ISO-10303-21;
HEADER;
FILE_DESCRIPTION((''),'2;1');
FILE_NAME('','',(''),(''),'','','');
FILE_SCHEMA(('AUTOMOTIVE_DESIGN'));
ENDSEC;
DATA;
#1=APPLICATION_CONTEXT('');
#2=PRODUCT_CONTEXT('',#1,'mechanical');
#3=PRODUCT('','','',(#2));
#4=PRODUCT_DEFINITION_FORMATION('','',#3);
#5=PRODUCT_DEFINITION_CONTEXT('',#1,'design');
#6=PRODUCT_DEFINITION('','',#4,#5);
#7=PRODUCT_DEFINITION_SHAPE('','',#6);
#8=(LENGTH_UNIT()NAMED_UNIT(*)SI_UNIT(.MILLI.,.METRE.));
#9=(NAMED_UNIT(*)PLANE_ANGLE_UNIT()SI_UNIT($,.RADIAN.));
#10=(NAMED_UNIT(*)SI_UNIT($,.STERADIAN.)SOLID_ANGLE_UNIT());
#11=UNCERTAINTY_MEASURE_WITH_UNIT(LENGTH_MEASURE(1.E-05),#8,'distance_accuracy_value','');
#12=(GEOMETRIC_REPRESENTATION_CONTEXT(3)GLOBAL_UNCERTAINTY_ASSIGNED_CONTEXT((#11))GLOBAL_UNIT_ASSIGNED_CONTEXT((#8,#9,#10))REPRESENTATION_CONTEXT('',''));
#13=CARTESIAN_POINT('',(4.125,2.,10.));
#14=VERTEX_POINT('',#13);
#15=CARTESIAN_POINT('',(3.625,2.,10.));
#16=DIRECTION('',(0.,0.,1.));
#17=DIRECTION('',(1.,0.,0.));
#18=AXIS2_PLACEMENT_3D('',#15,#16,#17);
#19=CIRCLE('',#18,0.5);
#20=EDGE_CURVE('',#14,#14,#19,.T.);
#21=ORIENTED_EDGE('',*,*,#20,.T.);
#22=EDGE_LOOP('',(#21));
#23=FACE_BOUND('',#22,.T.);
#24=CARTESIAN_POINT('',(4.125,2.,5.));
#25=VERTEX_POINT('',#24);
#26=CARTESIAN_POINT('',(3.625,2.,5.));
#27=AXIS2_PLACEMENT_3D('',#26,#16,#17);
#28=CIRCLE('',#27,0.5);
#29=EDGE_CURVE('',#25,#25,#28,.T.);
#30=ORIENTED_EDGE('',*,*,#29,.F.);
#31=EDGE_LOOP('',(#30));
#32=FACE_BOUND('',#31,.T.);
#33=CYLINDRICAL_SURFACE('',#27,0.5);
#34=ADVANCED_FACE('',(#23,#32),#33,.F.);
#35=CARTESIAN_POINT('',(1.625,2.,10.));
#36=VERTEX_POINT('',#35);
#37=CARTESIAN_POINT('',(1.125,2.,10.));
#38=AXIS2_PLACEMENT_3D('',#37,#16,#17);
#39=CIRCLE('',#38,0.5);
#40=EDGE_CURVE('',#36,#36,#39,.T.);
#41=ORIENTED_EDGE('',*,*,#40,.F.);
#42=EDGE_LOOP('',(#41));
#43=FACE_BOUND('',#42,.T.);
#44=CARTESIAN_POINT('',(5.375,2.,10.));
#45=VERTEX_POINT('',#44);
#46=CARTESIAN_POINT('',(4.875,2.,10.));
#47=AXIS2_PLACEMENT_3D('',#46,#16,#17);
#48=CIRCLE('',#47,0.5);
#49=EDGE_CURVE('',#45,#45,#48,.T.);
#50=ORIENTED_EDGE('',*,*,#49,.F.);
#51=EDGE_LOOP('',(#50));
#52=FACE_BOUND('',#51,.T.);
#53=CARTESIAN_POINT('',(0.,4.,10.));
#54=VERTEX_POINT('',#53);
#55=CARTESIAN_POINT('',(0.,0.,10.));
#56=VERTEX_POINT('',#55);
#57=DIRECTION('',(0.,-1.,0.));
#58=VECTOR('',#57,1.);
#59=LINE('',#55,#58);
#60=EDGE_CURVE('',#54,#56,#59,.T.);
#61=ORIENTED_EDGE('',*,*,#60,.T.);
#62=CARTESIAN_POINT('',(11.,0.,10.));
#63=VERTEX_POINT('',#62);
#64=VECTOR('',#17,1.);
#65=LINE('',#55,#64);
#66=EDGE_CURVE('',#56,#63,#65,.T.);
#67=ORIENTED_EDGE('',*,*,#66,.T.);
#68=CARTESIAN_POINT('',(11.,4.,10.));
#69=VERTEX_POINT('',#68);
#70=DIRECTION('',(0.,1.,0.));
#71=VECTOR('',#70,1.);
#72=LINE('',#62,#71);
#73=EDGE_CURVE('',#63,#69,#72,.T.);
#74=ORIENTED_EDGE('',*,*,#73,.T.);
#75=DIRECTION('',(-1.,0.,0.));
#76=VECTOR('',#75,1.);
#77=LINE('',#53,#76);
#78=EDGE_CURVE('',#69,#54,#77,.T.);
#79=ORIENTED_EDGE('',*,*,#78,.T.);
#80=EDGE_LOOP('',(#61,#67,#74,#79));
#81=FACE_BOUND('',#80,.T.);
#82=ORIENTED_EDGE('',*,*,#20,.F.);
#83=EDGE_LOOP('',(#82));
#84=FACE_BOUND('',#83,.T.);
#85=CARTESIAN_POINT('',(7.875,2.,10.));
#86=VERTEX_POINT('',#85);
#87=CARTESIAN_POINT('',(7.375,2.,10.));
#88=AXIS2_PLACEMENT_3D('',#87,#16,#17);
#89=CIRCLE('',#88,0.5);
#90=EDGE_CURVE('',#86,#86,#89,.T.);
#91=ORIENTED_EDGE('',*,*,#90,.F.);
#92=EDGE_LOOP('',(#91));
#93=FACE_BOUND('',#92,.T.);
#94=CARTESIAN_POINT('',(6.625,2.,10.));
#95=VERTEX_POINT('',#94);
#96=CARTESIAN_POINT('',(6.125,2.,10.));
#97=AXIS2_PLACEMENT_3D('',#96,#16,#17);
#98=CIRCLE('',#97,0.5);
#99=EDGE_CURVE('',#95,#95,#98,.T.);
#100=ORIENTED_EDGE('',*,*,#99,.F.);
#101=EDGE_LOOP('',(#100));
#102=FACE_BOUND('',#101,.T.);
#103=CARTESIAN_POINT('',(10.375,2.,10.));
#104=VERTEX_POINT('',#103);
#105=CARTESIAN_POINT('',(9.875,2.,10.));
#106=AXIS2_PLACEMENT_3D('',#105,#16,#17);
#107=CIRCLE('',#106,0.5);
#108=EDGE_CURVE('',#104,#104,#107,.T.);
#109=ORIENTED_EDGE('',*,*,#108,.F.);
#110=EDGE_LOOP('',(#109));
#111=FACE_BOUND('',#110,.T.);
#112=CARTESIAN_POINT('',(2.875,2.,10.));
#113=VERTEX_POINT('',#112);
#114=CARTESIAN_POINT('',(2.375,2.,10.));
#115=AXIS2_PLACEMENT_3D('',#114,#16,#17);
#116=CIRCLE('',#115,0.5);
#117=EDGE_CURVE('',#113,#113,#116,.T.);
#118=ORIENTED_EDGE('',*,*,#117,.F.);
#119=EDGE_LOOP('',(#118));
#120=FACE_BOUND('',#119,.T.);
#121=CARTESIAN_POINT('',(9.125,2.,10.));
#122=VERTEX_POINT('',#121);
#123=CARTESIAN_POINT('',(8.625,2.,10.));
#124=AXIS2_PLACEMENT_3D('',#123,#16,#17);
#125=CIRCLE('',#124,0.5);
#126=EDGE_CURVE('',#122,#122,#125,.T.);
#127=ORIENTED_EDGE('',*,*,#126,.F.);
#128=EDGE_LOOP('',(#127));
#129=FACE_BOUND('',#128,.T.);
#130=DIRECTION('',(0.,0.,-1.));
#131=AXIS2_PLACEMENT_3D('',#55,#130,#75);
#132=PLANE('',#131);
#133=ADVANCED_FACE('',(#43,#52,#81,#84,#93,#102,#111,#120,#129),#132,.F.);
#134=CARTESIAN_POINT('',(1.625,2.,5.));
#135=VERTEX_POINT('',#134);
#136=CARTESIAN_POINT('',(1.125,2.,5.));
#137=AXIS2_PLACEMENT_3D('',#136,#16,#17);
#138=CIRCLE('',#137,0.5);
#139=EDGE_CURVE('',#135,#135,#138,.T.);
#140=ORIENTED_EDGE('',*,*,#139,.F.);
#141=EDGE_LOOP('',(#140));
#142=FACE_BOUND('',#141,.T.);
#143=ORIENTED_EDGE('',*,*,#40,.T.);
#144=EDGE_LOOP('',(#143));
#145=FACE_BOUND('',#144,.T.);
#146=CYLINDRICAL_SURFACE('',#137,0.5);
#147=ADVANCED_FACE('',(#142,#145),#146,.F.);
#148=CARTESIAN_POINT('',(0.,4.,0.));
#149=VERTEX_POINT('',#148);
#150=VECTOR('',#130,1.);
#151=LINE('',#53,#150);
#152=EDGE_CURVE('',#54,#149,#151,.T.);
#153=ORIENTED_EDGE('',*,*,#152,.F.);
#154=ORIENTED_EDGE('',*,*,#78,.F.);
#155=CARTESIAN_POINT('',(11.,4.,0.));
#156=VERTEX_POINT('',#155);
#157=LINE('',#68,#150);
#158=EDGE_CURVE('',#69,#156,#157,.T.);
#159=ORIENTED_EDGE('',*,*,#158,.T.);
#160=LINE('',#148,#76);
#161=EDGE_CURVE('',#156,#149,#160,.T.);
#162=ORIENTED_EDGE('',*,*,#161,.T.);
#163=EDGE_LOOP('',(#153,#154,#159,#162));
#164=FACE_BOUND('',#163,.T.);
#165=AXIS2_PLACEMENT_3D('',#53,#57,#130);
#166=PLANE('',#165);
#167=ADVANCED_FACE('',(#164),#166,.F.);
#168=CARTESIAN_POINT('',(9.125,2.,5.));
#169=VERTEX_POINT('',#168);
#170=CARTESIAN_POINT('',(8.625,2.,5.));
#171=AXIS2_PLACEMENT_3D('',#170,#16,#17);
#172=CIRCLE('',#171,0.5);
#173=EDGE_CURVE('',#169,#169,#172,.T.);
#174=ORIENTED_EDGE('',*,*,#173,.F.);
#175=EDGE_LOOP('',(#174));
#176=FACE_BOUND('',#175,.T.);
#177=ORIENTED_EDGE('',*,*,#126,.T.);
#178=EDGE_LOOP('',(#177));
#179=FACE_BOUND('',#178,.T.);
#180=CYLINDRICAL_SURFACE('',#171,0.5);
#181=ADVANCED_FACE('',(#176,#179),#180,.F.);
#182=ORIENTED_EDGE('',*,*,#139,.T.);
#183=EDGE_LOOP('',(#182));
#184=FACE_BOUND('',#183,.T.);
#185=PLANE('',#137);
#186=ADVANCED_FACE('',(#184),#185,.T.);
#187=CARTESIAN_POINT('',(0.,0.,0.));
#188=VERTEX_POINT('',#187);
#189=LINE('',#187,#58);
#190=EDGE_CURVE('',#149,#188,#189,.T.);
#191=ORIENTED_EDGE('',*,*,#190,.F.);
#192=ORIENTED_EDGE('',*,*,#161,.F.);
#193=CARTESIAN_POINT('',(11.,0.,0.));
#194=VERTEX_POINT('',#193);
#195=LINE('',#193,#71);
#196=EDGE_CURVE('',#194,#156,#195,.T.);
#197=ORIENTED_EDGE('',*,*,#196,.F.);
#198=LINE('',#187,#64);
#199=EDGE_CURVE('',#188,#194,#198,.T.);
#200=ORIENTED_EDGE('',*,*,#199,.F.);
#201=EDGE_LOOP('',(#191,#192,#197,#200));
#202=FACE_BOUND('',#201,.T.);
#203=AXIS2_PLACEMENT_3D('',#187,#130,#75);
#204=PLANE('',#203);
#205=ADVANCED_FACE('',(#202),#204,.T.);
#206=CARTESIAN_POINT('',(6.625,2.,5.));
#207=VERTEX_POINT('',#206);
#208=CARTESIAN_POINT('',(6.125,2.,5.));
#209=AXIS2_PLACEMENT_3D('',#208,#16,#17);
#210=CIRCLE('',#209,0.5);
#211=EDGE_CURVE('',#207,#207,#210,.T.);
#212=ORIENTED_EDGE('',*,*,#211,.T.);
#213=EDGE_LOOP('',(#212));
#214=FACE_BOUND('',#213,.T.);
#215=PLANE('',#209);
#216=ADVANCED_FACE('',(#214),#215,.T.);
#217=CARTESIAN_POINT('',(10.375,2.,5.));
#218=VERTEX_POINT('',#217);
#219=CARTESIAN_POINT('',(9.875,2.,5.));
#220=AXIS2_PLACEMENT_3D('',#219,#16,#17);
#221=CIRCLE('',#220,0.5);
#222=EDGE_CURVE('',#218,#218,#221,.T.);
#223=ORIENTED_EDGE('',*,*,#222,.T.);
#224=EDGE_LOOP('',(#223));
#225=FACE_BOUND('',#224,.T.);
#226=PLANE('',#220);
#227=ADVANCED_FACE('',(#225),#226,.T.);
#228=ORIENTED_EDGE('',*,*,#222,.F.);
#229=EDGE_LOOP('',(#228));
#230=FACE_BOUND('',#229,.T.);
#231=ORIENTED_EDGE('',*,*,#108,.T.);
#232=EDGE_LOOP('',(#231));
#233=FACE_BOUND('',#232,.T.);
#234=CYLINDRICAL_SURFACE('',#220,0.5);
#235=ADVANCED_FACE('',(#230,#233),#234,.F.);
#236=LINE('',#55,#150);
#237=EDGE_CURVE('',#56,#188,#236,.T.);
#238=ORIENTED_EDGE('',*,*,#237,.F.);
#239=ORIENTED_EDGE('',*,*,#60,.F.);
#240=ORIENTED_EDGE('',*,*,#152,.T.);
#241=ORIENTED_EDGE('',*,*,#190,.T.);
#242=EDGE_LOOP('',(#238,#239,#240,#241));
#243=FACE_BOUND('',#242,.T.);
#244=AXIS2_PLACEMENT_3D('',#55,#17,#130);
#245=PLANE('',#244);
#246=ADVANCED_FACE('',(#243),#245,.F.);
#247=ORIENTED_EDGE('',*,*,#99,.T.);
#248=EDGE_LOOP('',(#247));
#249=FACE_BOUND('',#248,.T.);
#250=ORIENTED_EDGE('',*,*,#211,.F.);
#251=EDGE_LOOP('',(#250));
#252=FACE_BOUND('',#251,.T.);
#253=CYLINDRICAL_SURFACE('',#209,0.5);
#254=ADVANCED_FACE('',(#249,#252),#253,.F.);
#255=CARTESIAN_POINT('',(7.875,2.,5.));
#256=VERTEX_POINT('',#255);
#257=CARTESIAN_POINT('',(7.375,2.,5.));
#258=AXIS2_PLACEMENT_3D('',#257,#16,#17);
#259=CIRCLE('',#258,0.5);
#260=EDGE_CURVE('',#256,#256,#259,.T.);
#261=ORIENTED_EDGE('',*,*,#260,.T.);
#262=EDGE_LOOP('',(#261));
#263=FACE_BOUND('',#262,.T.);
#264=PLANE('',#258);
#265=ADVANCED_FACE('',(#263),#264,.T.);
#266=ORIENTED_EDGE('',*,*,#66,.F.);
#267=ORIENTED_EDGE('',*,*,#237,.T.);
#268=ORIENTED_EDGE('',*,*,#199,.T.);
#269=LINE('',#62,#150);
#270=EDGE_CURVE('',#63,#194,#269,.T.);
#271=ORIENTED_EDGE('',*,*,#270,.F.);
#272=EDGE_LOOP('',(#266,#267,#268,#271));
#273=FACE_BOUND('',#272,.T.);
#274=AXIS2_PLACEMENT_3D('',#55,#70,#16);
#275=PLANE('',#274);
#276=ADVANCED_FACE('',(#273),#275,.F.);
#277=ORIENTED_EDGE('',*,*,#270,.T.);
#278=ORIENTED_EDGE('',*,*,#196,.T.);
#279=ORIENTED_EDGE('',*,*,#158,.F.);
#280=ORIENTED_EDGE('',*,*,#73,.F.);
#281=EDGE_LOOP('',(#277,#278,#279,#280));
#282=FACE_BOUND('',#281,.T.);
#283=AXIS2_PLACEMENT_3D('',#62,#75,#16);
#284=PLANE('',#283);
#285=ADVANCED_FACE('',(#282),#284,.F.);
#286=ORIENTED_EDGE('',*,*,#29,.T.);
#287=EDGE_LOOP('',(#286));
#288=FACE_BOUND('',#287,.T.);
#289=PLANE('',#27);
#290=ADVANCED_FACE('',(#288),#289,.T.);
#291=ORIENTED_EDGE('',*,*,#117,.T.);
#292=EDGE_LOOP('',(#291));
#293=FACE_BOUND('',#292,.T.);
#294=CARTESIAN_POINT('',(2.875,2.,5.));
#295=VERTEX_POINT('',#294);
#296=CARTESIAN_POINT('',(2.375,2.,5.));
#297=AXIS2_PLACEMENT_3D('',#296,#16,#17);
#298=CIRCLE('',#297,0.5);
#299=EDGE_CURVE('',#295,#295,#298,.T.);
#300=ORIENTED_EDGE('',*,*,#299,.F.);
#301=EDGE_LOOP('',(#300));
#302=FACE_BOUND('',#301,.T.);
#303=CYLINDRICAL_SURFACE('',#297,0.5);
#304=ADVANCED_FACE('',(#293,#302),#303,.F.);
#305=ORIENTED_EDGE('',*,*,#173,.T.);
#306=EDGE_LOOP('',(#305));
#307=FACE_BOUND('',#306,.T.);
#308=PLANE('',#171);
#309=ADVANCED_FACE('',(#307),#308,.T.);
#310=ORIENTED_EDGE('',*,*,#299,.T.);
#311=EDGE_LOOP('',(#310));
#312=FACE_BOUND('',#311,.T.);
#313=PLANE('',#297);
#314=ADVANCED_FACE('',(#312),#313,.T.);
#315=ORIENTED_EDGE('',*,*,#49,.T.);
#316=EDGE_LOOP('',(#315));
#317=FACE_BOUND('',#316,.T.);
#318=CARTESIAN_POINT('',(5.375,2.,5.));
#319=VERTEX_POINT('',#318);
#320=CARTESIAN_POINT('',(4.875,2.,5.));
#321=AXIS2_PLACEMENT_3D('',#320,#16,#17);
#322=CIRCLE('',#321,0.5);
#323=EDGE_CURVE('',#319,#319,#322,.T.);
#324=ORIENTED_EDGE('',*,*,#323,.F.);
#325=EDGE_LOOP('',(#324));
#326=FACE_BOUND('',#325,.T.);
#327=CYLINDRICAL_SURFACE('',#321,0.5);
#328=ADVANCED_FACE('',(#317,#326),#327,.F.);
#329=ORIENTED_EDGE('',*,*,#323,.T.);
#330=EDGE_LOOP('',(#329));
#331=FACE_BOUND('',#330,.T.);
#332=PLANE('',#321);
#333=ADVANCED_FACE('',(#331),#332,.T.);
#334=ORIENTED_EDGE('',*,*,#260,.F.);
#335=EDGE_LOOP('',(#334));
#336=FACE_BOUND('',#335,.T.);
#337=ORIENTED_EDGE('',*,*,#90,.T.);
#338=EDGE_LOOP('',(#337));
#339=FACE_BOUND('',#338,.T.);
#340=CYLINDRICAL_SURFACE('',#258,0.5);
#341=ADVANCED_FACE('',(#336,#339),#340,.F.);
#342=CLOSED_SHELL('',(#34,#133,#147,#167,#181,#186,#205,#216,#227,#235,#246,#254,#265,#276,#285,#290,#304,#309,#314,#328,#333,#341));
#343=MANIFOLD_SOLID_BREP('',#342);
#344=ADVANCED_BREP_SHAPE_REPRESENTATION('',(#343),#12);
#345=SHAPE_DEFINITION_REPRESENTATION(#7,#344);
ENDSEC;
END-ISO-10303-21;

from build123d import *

# Parameters (mm, degrees)
SKETCH2_W           = 11
SKETCH2_H           = 4
BOSS_EXTRUDE1_DEPTH = 10
SKETCH3_R           = 0.5
CUT_EXTRUDE1_DEPTH  = 5


with BuildPart() as part:
    # Sketch2 → Boss-Extrude1 (new body)
    with BuildSketch(Plane.XY):
        with Locations((5.5, 2)):
            Rectangle(SKETCH2_W, SKETCH2_H)
    extrude(amount=BOSS_EXTRUDE1_DEPTH)

    # Sketch3 → Cut-Extrude1 (cut)
    with BuildSketch(Plane.XY.offset(10)):
        with Locations((1.125, 2)):
            Circle(SKETCH3_R)
        with Locations((2.375, 2)):
            Circle(SKETCH3_R)
        with Locations((3.625, 2)):
            Circle(SKETCH3_R)
        with Locations((4.875, 2)):
            Circle(SKETCH3_R)
        with Locations((6.125, 2)):
            Circle(SKETCH3_R)
        with Locations((7.375, 2)):
            Circle(SKETCH3_R)
        with Locations((8.625, 2)):
            Circle(SKETCH3_R)
        with Locations((9.875, 2)):
            Circle(SKETCH3_R)
    extrude(amount=-CUT_EXTRUDE1_DEPTH, mode=Mode.SUBTRACT)


solid = part.part
